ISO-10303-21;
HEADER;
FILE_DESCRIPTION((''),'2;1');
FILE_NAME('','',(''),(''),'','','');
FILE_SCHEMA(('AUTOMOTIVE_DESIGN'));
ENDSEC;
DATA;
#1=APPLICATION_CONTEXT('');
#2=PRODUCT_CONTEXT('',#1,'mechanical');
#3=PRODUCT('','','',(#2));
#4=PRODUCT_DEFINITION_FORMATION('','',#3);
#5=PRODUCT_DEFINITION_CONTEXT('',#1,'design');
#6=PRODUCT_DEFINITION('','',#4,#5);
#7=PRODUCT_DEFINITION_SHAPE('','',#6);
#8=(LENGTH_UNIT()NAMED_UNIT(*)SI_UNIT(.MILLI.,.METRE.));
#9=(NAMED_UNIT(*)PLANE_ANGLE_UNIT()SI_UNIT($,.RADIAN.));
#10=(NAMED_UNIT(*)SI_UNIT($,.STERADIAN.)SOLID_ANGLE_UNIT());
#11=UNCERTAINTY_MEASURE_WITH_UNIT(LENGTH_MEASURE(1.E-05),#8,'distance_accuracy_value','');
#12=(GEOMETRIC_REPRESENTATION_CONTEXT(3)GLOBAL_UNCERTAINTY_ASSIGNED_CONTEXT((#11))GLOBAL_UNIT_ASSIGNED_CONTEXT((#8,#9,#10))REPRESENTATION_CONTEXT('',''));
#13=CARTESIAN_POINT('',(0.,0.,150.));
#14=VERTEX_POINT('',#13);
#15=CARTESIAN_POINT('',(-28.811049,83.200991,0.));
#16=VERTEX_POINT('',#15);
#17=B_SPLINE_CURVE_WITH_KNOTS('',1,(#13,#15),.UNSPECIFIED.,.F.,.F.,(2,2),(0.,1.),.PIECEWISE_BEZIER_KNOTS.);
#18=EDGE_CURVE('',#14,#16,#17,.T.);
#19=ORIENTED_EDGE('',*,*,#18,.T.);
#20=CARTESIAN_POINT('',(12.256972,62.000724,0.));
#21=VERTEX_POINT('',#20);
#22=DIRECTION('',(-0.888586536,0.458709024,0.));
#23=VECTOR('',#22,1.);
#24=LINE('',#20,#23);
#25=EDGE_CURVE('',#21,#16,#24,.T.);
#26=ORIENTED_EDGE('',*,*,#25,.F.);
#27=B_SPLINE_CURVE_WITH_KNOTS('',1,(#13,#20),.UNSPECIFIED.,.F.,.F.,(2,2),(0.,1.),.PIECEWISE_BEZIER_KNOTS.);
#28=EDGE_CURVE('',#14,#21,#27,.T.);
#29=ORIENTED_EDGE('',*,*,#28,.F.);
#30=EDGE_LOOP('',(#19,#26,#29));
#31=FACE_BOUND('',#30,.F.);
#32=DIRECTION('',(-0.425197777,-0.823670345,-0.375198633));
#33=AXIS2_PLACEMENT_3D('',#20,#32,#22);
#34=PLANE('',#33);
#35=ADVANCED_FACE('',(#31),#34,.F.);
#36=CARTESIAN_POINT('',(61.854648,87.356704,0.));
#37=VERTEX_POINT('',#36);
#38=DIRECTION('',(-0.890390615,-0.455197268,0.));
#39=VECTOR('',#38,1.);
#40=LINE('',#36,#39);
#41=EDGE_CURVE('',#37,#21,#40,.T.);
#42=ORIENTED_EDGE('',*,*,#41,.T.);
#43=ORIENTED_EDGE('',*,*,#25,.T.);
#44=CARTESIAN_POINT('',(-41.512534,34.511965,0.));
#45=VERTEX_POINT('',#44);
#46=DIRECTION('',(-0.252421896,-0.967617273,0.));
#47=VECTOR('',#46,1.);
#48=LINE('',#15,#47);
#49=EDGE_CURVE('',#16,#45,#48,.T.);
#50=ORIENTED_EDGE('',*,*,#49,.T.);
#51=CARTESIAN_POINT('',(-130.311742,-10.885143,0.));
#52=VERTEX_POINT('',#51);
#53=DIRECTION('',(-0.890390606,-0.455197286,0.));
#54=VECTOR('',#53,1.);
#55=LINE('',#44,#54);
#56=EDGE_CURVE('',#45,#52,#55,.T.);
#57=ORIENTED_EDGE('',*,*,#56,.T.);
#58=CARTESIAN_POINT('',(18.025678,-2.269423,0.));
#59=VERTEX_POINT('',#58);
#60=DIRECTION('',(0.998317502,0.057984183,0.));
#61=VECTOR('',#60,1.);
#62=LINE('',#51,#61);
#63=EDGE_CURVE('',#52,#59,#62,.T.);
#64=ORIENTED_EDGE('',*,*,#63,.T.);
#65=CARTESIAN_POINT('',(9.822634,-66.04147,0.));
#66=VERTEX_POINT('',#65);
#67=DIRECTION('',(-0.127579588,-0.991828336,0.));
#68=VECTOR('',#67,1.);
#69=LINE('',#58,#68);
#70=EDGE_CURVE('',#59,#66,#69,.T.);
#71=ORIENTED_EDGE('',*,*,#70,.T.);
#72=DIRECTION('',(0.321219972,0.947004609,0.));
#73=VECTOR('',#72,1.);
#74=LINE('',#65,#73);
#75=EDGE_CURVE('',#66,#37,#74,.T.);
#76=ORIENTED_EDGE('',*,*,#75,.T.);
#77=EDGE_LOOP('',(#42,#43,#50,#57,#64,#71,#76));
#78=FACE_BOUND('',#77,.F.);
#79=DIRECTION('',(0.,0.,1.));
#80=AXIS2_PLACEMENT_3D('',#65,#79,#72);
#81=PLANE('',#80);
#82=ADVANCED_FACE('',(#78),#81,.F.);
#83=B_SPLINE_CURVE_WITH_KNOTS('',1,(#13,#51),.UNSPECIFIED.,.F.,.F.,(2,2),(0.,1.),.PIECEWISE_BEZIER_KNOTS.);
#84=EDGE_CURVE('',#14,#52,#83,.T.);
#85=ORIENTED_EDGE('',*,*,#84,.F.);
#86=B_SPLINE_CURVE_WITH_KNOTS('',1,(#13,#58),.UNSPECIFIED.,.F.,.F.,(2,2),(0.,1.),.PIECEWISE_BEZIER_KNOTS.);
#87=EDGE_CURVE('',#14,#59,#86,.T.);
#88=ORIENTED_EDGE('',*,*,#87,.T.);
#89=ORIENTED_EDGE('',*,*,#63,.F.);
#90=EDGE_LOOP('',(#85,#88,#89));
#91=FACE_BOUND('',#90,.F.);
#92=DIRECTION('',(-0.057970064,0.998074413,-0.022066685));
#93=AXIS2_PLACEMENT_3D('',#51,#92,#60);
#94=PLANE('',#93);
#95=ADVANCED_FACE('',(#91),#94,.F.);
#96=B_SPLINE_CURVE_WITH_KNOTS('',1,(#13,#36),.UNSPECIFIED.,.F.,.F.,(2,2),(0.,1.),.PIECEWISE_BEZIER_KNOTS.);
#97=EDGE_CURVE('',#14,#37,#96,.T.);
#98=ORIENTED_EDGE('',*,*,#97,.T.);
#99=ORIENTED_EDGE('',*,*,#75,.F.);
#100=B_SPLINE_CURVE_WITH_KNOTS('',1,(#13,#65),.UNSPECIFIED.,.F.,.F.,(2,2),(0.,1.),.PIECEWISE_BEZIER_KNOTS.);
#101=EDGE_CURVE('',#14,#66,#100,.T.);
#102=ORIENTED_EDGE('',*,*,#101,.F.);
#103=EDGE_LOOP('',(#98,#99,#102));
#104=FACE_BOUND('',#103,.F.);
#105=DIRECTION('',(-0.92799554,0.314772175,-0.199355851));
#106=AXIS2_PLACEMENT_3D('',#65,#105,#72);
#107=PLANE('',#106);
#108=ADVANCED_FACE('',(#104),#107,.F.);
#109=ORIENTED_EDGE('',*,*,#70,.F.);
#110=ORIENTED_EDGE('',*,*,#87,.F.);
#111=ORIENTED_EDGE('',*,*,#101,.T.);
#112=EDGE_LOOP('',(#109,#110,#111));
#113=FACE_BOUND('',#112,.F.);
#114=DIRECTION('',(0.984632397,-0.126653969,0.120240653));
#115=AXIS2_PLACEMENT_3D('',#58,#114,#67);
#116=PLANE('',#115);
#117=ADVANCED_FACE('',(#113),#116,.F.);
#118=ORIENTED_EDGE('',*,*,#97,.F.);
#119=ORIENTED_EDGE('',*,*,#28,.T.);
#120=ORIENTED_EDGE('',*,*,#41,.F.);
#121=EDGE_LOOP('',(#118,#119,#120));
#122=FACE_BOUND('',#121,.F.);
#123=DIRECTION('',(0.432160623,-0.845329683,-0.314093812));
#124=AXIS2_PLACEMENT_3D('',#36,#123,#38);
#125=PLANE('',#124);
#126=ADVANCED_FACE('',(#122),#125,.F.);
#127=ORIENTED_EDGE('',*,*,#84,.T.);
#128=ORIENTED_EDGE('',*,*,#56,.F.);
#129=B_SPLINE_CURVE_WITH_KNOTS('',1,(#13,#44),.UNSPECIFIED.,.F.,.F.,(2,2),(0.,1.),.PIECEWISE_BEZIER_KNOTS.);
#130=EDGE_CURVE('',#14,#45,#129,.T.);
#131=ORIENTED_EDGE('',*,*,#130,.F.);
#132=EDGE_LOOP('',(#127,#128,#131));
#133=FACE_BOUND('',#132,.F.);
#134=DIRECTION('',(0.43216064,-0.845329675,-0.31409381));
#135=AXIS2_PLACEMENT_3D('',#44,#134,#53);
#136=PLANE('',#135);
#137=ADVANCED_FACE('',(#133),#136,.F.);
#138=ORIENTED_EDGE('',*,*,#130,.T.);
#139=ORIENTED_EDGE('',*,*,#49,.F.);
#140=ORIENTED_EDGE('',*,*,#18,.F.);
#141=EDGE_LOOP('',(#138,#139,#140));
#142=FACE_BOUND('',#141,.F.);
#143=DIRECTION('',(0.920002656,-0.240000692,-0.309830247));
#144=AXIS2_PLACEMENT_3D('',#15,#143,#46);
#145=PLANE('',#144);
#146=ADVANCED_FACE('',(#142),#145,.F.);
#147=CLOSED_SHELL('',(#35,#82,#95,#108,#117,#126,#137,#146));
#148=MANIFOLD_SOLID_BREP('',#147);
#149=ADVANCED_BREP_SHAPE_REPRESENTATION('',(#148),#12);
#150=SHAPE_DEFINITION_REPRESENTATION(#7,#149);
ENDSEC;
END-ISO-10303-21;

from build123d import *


with BuildPart() as f3:
    # F0 (on Top) → F3 section 0
    with BuildSketch(Plane.XY, mode=Mode.PRIVATE) as f3_s0:
        Polygon((9.822634, -66.04147), (61.854648, 87.356704), (12.256972, 62.000724), (-28.811049, 83.200991), (-41.512534, 34.511965), (-130.311742, -10.885143), (18.025678, -2.269423), align=None)
    loft([Vertex(0, 0, 150), f3_s0.sketch])


solid = f3.part
